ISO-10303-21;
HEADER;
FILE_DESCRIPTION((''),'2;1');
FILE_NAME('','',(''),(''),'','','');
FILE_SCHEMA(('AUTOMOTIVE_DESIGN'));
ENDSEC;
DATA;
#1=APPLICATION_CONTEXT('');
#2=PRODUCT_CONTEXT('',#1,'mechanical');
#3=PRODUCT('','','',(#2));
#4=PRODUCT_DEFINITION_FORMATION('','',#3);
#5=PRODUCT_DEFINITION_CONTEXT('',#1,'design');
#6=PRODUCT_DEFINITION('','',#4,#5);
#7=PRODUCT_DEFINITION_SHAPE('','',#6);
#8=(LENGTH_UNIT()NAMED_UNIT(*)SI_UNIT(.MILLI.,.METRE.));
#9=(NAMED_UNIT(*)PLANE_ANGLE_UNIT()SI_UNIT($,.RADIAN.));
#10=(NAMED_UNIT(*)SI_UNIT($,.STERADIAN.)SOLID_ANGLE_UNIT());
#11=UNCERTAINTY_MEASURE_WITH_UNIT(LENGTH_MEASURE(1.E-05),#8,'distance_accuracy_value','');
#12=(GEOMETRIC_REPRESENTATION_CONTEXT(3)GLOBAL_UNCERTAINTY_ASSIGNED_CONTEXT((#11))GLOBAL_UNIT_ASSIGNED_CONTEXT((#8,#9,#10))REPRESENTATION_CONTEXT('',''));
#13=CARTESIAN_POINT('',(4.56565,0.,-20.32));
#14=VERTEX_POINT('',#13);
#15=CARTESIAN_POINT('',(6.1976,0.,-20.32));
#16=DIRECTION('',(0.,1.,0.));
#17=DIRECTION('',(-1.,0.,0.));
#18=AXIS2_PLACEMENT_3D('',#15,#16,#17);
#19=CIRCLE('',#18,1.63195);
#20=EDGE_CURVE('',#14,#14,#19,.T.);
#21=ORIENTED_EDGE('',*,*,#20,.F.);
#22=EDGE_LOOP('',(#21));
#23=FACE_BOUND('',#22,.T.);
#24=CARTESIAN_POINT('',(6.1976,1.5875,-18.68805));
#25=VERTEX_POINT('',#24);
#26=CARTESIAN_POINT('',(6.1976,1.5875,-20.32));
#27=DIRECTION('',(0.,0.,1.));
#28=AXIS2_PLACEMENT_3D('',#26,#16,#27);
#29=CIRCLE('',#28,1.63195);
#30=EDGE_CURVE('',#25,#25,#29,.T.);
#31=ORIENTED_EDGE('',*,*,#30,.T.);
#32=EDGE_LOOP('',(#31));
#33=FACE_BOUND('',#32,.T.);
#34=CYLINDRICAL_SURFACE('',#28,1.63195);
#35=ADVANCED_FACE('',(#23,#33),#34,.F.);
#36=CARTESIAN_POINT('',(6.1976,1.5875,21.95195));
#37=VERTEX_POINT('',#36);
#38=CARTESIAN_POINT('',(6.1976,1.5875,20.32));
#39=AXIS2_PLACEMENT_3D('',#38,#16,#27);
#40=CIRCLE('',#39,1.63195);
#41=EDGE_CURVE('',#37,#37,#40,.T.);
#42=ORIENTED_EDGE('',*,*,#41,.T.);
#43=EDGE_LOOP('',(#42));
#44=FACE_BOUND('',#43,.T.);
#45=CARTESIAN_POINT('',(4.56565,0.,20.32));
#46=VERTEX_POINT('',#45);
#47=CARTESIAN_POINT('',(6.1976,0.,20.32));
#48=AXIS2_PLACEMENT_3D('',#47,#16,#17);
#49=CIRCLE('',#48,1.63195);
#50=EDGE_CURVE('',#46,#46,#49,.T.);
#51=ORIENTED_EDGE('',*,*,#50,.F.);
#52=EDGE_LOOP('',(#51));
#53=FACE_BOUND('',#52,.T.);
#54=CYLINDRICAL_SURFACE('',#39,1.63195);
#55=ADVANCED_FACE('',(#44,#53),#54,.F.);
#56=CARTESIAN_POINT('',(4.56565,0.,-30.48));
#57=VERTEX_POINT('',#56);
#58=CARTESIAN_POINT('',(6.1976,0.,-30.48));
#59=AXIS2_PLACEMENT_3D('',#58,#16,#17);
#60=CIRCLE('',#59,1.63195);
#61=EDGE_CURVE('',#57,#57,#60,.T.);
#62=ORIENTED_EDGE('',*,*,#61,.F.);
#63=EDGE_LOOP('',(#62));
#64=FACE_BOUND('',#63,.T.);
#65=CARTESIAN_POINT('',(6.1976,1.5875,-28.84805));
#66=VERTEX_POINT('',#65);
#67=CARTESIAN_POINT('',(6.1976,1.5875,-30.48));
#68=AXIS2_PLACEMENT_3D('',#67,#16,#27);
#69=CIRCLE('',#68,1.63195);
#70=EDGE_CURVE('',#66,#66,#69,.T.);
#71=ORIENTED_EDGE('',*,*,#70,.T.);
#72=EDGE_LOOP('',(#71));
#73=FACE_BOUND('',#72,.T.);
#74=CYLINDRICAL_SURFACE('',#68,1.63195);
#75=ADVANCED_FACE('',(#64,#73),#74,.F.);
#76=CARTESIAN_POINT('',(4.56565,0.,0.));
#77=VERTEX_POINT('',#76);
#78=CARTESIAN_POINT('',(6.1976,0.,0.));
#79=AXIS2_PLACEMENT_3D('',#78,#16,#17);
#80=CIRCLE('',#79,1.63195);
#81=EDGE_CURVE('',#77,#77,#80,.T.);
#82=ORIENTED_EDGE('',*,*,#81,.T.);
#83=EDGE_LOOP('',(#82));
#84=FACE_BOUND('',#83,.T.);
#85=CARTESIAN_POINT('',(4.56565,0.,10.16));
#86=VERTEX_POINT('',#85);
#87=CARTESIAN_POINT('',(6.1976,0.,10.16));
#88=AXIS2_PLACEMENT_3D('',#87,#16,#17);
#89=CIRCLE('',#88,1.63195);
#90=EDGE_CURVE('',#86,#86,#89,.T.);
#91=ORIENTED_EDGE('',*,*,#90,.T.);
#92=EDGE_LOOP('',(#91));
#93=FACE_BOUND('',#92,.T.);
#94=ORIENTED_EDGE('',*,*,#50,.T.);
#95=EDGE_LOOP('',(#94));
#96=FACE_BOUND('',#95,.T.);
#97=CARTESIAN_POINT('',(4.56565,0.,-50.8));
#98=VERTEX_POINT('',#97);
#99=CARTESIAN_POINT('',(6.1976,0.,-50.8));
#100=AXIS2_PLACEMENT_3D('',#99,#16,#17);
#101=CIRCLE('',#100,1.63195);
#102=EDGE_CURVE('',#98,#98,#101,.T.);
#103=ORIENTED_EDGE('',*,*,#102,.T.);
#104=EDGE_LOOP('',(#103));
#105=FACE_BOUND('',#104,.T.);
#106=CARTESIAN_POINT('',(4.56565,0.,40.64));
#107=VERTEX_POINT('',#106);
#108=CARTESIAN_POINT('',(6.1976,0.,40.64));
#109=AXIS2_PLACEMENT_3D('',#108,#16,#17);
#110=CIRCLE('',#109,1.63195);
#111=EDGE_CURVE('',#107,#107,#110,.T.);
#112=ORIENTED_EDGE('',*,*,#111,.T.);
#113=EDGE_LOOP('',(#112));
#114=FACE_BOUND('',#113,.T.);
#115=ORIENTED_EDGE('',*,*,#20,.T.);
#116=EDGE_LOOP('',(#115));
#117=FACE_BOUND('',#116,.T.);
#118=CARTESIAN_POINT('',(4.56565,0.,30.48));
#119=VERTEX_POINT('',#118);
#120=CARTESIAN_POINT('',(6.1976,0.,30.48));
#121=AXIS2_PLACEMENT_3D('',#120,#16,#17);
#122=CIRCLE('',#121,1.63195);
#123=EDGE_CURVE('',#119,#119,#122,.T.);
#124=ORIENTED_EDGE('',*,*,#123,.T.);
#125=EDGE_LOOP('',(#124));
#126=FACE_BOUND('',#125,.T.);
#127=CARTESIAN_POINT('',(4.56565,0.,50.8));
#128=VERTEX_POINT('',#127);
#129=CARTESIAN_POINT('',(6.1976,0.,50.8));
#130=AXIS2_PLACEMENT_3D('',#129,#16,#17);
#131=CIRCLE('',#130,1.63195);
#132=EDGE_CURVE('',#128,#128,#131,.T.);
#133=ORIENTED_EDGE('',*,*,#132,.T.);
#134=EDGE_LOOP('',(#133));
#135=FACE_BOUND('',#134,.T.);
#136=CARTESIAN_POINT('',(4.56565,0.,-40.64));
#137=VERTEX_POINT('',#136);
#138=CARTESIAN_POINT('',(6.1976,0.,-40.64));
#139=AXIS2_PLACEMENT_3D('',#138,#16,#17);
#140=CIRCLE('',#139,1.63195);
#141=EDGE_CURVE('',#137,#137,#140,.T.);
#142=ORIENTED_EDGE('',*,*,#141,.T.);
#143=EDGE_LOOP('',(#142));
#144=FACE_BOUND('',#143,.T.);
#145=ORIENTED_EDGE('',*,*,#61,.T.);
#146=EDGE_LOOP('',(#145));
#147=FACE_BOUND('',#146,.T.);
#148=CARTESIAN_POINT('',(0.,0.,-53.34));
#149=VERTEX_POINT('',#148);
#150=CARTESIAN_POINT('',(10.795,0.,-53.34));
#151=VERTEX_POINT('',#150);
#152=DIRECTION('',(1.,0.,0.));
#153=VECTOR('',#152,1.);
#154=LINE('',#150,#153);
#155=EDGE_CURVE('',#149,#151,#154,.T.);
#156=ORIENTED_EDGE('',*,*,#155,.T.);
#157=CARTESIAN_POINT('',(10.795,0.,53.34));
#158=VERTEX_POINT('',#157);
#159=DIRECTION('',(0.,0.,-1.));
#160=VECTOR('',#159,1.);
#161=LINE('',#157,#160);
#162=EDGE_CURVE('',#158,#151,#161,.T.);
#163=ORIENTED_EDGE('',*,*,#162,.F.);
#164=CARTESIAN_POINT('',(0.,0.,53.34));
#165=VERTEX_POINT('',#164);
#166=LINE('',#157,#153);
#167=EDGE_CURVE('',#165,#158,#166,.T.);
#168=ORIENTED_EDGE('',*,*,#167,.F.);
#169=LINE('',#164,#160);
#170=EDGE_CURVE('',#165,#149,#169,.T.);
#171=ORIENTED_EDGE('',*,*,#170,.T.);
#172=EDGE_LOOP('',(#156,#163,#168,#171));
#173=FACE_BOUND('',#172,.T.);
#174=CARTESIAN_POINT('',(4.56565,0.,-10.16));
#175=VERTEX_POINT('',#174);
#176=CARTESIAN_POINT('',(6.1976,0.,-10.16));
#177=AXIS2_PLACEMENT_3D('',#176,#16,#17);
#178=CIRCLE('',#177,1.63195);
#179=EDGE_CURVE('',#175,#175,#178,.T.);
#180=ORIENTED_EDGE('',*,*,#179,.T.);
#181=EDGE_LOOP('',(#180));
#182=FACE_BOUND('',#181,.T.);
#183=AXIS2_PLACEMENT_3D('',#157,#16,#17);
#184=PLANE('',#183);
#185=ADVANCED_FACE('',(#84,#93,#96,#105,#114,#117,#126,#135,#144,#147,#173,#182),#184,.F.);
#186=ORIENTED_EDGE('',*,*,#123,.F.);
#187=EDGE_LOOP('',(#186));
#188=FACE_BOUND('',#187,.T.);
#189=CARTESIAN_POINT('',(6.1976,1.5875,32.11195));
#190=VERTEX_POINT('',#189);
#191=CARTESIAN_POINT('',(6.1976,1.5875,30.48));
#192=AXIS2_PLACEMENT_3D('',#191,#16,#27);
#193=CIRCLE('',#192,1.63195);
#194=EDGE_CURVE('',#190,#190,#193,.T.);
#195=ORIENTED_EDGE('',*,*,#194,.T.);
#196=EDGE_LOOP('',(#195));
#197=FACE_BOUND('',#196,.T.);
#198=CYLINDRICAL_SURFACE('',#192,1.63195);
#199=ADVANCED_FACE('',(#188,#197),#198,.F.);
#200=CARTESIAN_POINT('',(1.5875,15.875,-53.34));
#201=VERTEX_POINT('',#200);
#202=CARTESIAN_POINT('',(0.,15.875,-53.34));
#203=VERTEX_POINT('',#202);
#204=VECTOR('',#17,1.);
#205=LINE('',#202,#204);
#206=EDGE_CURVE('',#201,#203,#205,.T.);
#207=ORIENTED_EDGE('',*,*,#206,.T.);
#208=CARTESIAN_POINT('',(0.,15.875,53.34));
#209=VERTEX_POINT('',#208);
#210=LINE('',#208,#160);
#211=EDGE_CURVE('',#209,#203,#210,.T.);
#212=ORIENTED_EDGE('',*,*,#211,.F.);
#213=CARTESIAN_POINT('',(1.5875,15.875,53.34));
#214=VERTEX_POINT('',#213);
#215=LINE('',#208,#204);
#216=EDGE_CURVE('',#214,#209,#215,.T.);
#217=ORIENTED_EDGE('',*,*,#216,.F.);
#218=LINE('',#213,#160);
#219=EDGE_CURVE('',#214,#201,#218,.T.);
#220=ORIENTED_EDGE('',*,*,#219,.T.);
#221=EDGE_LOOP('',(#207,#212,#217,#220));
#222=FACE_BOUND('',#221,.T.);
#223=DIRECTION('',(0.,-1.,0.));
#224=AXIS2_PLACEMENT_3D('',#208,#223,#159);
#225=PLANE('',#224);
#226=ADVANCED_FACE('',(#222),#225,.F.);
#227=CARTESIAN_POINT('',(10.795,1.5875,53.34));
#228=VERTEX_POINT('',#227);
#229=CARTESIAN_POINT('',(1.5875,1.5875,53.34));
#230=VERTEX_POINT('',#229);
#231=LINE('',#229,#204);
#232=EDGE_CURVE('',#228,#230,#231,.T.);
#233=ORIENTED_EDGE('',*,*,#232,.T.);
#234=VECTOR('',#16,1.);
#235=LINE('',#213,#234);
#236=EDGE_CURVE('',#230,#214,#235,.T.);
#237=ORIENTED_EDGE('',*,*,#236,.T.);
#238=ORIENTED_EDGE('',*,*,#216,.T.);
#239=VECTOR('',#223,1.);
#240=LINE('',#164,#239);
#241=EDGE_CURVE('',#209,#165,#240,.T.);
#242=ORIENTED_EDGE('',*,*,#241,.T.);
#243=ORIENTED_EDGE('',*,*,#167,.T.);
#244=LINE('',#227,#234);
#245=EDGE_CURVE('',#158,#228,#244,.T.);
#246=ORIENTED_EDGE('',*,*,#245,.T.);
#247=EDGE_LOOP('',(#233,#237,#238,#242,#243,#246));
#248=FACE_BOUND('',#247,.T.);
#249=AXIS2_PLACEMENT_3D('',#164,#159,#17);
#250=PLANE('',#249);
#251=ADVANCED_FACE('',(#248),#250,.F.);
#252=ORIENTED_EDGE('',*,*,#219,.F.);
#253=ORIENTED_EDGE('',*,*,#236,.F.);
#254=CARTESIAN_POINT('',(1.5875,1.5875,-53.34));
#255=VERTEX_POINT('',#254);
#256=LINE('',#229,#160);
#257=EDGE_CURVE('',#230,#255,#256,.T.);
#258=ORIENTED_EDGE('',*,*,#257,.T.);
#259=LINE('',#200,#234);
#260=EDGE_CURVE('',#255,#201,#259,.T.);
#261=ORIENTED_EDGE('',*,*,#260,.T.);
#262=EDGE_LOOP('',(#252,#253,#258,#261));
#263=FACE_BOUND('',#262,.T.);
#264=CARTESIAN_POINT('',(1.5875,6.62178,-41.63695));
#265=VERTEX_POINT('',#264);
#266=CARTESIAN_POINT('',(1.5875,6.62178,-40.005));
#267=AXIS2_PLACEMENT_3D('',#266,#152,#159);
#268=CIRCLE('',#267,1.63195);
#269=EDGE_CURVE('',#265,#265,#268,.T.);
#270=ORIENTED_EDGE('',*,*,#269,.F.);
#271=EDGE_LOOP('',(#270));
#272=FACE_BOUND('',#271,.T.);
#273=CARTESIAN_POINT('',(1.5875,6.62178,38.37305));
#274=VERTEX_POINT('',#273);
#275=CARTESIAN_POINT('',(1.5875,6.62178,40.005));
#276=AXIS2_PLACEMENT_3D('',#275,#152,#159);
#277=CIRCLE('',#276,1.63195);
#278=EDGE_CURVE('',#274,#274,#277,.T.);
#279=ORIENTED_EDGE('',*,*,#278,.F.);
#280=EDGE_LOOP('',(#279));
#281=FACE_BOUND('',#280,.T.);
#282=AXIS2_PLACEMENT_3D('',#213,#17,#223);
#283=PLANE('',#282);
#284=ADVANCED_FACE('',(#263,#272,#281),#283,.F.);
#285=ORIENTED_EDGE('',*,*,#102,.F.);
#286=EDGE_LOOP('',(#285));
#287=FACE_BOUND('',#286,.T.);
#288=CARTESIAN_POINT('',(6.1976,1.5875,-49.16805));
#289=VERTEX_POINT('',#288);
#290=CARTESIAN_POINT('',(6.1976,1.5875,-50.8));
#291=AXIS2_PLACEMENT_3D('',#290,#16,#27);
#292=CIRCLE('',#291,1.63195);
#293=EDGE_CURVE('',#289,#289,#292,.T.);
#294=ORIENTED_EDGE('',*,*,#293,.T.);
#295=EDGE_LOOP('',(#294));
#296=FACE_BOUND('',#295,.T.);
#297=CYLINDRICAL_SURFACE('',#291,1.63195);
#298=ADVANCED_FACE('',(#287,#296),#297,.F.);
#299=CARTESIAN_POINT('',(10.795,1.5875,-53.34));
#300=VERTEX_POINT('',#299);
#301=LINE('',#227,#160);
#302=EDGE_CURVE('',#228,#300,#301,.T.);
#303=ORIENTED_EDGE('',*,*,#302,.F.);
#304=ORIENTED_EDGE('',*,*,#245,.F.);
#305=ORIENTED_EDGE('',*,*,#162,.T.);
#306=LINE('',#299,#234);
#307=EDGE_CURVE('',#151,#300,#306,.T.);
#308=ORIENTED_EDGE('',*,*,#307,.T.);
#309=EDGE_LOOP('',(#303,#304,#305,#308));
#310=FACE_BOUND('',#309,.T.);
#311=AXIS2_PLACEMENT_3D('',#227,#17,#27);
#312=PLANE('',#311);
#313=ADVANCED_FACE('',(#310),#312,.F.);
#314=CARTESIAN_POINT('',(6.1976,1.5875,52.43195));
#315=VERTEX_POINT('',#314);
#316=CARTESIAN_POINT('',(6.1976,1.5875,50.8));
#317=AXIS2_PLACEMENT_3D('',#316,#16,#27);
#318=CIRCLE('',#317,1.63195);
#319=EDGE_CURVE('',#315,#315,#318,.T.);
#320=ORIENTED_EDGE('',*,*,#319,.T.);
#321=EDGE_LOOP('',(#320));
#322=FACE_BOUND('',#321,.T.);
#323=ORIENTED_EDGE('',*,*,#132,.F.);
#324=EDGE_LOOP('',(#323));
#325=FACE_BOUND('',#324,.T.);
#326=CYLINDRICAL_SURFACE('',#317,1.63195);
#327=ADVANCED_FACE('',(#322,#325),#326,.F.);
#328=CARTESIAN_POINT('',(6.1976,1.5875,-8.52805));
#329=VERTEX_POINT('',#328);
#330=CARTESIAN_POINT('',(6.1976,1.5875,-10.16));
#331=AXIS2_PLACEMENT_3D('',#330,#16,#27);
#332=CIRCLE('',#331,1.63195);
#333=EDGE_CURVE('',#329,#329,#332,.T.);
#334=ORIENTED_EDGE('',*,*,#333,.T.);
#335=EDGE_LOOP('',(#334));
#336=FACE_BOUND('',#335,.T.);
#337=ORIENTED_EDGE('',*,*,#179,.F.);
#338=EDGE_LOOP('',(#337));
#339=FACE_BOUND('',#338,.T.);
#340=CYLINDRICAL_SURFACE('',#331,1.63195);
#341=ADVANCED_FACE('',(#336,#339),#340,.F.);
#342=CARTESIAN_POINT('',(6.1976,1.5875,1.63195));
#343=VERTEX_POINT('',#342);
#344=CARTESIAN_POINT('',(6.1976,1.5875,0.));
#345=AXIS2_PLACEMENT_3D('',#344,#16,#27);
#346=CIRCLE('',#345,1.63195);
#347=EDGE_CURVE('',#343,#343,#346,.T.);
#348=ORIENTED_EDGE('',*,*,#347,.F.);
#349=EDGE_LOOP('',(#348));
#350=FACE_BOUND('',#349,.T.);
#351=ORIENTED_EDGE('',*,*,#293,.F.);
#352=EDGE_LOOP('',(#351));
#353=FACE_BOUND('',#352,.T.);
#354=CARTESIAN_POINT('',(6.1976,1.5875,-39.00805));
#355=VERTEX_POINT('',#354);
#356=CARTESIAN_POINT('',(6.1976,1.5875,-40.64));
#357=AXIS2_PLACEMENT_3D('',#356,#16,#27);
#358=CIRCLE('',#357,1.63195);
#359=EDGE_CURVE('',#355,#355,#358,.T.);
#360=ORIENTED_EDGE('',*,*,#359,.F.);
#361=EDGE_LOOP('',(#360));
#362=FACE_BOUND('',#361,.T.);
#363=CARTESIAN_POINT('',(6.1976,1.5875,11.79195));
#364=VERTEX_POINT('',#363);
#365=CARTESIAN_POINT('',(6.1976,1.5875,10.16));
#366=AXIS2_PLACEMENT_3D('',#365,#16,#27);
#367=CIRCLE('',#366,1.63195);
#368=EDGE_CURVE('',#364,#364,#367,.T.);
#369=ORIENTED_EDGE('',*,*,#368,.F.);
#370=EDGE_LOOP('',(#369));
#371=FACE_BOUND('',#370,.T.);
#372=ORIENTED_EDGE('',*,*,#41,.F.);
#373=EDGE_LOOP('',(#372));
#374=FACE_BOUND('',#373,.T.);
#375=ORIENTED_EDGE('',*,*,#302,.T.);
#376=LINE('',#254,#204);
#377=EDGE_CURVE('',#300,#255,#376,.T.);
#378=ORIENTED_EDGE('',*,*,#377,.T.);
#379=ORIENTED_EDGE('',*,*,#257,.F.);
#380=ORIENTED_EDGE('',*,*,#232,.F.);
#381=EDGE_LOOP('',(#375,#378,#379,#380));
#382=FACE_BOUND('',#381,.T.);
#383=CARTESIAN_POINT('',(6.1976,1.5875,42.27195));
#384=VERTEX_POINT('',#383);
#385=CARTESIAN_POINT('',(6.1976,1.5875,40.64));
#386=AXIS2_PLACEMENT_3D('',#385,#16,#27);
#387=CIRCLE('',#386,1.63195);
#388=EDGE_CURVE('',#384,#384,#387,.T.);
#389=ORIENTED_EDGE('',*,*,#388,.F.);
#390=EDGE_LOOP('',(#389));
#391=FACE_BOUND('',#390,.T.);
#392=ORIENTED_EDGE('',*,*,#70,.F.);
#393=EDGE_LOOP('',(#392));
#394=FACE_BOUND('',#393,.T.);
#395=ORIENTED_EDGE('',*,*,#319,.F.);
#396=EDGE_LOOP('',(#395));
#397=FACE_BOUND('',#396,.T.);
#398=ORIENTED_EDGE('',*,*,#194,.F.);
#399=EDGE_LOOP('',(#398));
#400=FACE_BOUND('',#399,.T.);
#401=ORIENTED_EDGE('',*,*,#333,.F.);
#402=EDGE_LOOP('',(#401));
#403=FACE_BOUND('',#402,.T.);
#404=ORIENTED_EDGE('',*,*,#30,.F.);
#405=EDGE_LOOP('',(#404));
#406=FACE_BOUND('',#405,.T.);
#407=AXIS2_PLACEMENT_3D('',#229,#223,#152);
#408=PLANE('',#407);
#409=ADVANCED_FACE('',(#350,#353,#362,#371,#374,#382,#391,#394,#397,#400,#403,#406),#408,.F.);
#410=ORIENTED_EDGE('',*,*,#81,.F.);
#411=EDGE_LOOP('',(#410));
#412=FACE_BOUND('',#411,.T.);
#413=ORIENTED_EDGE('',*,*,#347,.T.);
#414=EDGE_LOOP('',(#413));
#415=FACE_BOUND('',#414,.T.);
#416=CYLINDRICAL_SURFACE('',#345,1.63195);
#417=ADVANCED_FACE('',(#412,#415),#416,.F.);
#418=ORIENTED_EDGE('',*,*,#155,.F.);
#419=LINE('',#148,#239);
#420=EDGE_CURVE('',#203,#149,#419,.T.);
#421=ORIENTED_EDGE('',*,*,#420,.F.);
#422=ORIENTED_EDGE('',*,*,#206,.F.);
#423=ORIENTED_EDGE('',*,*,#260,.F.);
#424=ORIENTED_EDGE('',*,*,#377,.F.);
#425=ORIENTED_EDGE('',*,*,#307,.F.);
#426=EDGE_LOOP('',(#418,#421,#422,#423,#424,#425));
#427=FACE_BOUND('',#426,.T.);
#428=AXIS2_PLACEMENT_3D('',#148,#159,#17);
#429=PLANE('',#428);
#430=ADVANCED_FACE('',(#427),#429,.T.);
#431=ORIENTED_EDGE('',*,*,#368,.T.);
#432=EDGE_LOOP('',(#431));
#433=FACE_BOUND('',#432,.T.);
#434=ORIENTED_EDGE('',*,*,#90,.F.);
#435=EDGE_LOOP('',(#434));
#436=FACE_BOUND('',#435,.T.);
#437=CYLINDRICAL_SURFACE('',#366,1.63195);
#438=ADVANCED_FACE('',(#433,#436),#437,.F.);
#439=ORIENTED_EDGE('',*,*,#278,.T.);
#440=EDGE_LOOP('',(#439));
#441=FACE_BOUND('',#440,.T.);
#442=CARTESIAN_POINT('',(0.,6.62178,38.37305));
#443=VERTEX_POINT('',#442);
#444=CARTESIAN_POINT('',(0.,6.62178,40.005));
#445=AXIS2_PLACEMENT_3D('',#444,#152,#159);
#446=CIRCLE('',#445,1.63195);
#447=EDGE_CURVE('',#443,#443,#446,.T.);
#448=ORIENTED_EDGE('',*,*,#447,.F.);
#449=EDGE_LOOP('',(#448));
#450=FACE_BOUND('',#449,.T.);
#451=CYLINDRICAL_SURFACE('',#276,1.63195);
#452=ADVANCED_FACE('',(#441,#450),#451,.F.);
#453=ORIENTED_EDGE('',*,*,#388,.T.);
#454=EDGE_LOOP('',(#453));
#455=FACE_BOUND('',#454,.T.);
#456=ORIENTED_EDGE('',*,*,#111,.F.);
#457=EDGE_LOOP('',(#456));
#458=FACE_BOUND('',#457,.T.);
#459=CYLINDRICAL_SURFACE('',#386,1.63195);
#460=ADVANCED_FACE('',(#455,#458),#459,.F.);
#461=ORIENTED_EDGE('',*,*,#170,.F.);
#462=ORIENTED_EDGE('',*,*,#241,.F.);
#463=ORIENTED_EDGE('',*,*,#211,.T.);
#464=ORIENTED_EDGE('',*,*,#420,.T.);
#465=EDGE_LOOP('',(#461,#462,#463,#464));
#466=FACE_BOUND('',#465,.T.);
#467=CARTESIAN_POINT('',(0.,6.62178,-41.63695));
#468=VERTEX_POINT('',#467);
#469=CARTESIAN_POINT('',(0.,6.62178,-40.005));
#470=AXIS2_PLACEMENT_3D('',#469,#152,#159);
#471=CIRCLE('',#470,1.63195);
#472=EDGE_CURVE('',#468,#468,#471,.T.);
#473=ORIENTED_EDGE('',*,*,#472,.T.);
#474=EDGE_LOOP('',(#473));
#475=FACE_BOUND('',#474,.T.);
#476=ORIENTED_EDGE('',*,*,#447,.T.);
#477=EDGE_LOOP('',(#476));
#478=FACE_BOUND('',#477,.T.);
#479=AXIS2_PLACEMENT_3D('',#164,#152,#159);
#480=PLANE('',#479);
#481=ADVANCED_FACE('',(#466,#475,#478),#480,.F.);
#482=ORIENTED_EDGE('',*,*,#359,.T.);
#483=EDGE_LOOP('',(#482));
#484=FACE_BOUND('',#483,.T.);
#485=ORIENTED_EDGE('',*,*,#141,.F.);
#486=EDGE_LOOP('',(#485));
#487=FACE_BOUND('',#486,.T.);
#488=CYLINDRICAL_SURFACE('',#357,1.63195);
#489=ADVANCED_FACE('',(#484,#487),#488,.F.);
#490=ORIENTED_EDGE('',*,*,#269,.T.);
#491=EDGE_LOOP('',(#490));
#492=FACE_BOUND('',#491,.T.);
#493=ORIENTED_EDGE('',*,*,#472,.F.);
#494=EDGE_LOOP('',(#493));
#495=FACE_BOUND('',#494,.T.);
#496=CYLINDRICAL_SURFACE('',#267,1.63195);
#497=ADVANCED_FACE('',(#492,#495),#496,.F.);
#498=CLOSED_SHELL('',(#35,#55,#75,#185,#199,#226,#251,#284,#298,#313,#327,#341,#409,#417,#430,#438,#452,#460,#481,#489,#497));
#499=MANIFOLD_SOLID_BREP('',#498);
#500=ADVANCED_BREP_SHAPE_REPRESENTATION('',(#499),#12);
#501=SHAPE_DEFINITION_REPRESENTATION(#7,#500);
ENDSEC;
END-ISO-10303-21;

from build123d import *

# Parameters (mm, degrees)
EXTRUDE1_DEPTH            = 53.34
LPATTERN1_COUNT           = 6
LPATTERN1_PITCH           = 10.16
LPATTERN1_COL_COUNT       = 6
LPATTERN1_COL_PITCH       = 10.16
F_4_CLEARANCE_HOLE2_D     = 3.2639
F_4_CLEARANCE_HOLE2_DEPTH = 15.24
F_4_CLEARANCE_HOLE2_TIP   = 0.980574487


with BuildPart() as part:
    # Sketch1 → Extrude1 (new, symmetric)
    with BuildSketch(Plane.XY):
        Polygon((0, 0), (0, 15.875), (1.5875, 15.875), (1.5875, 1.5875), (10.795, 1.5875), (10.795, 0), align=None)
    extrude(amount=EXTRUDE1_DEPTH, both=True)

    # Sketch3 → #4 Clearance Hole1 (revolve, cut)
    with BuildSketch(Plane(origin=(6.1976, 1.5875, 0), x_dir=(0, 0, 1), z_dir=(1, 0, 0))):
        Polygon((0, 0), (0, 16.220574487), (1.63195, 15.24), (1.63195, 0), align=None)
    f_4_clearance_hole1 = revolve(axis=Axis((6.1976, 7.9375, 0), (0, -1, 0)), mode=Mode.SUBTRACT)

    # LPattern1: #4 Clearance Hole1 ×6
    with Locations(*[(0, 0, i * LPATTERN1_PITCH) for i in range(1, LPATTERN1_COUNT)]):
        add(f_4_clearance_hole1, mode=Mode.SUBTRACT)

    # LPattern1 col: #4 Clearance Hole1 ×6
    with Locations(*[(0, 0, -i * LPATTERN1_COL_PITCH) for i in range(1, LPATTERN1_COL_COUNT)]):
        add(f_4_clearance_hole1, mode=Mode.SUBTRACT)

    # #4 Clearance Hole2
    with Locations(Plane(origin=(1.5875, 6.62178, -40.005), x_dir=(0, 1, 0), z_dir=(1, 0, 0))):
        with Locations((0, 0), (0, 80.01)):
            Hole(F_4_CLEARANCE_HOLE2_D / 2, depth=F_4_CLEARANCE_HOLE2_DEPTH)
            with Locations((0, 0, -(F_4_CLEARANCE_HOLE2_DEPTH + F_4_CLEARANCE_HOLE2_TIP / 2))):  # 118° drill point
                Cone(0, F_4_CLEARANCE_HOLE2_D / 2, F_4_CLEARANCE_HOLE2_TIP, mode=Mode.SUBTRACT)


solid = part.part
